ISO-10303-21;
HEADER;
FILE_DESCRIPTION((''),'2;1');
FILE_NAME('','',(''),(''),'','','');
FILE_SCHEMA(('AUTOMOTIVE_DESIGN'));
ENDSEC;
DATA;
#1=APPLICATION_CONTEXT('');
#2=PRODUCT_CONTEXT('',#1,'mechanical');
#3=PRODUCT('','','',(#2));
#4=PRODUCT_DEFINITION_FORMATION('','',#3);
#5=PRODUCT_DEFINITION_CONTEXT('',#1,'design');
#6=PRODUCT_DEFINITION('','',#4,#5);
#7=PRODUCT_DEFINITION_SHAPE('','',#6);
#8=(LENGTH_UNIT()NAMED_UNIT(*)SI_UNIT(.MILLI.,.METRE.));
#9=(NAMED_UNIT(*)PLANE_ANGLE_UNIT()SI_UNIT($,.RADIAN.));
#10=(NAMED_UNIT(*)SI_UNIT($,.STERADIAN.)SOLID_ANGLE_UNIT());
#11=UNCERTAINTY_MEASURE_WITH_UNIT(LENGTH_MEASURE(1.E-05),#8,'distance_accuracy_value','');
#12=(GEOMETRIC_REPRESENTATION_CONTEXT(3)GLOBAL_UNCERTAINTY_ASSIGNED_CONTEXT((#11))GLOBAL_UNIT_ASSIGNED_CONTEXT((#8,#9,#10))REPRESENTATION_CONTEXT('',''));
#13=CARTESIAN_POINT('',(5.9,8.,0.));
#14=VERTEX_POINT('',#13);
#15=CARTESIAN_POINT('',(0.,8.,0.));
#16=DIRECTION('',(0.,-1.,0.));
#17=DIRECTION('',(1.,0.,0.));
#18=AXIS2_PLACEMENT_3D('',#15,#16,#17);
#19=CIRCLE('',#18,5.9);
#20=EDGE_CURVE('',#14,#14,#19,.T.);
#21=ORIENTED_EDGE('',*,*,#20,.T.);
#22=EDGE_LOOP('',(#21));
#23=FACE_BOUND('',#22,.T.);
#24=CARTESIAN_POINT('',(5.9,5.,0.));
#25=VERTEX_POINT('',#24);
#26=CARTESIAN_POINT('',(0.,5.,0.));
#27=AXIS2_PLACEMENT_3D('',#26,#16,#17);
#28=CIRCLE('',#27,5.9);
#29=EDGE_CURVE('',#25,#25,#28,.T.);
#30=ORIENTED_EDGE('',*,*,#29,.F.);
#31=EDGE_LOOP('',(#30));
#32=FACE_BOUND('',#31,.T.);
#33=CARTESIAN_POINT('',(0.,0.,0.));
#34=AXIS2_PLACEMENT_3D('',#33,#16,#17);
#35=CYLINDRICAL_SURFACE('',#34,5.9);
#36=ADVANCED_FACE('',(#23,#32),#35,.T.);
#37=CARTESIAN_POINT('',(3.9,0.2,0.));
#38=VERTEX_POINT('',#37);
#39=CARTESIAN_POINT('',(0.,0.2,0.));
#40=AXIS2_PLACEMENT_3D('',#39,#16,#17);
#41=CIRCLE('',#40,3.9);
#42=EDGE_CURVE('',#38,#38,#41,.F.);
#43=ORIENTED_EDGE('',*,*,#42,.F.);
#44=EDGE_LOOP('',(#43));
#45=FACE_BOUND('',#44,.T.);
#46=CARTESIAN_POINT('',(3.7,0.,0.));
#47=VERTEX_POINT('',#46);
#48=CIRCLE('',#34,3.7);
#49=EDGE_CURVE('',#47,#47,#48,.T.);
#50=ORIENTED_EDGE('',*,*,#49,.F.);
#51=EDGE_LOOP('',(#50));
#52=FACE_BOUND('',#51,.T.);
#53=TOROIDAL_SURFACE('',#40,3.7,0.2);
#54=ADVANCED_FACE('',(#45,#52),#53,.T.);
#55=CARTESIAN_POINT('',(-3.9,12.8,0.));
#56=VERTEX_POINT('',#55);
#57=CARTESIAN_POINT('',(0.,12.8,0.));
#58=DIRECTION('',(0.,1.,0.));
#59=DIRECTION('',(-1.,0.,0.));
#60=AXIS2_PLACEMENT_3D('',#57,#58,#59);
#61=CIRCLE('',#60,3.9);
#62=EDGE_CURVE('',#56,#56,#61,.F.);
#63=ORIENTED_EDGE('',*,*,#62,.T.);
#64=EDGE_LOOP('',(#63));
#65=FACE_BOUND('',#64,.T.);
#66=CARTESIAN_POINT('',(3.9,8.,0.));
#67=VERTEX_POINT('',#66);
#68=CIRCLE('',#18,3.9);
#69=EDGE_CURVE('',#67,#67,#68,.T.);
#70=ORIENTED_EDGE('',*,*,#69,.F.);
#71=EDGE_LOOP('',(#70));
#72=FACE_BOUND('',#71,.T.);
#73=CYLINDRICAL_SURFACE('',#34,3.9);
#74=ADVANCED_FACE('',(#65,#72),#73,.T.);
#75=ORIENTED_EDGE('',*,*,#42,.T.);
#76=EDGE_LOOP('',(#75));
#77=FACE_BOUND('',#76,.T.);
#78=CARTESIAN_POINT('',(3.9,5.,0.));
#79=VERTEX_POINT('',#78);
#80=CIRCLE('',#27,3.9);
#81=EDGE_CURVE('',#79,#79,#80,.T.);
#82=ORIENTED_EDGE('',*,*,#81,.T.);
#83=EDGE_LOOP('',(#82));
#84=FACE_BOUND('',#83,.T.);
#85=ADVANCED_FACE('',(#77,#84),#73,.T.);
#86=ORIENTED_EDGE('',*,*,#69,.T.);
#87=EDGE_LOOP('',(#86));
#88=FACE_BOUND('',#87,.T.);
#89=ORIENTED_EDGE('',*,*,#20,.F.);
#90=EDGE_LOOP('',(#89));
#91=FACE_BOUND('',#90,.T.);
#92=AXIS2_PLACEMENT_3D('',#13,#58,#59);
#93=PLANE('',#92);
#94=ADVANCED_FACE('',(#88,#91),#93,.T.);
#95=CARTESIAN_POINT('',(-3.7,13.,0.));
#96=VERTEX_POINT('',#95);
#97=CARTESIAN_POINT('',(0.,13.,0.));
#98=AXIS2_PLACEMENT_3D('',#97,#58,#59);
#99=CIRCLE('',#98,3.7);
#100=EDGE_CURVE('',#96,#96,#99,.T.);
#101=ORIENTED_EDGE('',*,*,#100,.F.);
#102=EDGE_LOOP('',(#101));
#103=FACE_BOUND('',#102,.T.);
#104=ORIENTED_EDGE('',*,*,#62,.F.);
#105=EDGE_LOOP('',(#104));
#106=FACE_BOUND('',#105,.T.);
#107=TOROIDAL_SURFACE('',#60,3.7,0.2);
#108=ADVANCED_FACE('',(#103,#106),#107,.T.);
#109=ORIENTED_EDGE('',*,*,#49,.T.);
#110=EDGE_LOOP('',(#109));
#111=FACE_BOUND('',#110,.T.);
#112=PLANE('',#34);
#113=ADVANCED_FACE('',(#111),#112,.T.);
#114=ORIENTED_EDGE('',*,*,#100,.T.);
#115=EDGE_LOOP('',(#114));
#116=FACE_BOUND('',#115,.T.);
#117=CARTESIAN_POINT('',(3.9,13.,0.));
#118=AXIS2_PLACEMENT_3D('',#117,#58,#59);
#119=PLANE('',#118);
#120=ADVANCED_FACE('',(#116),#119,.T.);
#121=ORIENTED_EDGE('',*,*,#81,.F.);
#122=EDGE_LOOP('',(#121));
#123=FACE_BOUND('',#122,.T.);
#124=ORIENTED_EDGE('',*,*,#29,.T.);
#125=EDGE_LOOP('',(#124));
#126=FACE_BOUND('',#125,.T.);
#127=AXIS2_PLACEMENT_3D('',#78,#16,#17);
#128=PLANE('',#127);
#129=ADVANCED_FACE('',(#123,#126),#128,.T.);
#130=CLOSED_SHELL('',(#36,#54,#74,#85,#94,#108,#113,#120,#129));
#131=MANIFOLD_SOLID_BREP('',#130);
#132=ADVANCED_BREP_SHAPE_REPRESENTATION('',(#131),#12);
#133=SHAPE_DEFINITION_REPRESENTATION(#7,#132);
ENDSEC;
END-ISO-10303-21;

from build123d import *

# Parameters (mm, degrees)
FILLET1_R = 0.2


with BuildPart() as part:
    # Sketch1 → Revolve1 (revolve)
    with BuildSketch(Plane.XY):
        Polygon((0, 0), (3.9, 0), (3.9, 5), (5.9, 5), (5.9, 8), (3.9, 8), (3.9, 13), (0, 13), align=None)
    revolve(axis=Axis((0, 0, 0), (0, 1, 0)))

    # Fillet1
    fillet1_edges = [part.edges().sort_by_distance(p)[0] for p in [
        (-3.9, 13, 0),
        (-3.9, 0, 0),
    ]]
    fillet(fillet1_edges, radius=FILLET1_R)


solid = part.part
